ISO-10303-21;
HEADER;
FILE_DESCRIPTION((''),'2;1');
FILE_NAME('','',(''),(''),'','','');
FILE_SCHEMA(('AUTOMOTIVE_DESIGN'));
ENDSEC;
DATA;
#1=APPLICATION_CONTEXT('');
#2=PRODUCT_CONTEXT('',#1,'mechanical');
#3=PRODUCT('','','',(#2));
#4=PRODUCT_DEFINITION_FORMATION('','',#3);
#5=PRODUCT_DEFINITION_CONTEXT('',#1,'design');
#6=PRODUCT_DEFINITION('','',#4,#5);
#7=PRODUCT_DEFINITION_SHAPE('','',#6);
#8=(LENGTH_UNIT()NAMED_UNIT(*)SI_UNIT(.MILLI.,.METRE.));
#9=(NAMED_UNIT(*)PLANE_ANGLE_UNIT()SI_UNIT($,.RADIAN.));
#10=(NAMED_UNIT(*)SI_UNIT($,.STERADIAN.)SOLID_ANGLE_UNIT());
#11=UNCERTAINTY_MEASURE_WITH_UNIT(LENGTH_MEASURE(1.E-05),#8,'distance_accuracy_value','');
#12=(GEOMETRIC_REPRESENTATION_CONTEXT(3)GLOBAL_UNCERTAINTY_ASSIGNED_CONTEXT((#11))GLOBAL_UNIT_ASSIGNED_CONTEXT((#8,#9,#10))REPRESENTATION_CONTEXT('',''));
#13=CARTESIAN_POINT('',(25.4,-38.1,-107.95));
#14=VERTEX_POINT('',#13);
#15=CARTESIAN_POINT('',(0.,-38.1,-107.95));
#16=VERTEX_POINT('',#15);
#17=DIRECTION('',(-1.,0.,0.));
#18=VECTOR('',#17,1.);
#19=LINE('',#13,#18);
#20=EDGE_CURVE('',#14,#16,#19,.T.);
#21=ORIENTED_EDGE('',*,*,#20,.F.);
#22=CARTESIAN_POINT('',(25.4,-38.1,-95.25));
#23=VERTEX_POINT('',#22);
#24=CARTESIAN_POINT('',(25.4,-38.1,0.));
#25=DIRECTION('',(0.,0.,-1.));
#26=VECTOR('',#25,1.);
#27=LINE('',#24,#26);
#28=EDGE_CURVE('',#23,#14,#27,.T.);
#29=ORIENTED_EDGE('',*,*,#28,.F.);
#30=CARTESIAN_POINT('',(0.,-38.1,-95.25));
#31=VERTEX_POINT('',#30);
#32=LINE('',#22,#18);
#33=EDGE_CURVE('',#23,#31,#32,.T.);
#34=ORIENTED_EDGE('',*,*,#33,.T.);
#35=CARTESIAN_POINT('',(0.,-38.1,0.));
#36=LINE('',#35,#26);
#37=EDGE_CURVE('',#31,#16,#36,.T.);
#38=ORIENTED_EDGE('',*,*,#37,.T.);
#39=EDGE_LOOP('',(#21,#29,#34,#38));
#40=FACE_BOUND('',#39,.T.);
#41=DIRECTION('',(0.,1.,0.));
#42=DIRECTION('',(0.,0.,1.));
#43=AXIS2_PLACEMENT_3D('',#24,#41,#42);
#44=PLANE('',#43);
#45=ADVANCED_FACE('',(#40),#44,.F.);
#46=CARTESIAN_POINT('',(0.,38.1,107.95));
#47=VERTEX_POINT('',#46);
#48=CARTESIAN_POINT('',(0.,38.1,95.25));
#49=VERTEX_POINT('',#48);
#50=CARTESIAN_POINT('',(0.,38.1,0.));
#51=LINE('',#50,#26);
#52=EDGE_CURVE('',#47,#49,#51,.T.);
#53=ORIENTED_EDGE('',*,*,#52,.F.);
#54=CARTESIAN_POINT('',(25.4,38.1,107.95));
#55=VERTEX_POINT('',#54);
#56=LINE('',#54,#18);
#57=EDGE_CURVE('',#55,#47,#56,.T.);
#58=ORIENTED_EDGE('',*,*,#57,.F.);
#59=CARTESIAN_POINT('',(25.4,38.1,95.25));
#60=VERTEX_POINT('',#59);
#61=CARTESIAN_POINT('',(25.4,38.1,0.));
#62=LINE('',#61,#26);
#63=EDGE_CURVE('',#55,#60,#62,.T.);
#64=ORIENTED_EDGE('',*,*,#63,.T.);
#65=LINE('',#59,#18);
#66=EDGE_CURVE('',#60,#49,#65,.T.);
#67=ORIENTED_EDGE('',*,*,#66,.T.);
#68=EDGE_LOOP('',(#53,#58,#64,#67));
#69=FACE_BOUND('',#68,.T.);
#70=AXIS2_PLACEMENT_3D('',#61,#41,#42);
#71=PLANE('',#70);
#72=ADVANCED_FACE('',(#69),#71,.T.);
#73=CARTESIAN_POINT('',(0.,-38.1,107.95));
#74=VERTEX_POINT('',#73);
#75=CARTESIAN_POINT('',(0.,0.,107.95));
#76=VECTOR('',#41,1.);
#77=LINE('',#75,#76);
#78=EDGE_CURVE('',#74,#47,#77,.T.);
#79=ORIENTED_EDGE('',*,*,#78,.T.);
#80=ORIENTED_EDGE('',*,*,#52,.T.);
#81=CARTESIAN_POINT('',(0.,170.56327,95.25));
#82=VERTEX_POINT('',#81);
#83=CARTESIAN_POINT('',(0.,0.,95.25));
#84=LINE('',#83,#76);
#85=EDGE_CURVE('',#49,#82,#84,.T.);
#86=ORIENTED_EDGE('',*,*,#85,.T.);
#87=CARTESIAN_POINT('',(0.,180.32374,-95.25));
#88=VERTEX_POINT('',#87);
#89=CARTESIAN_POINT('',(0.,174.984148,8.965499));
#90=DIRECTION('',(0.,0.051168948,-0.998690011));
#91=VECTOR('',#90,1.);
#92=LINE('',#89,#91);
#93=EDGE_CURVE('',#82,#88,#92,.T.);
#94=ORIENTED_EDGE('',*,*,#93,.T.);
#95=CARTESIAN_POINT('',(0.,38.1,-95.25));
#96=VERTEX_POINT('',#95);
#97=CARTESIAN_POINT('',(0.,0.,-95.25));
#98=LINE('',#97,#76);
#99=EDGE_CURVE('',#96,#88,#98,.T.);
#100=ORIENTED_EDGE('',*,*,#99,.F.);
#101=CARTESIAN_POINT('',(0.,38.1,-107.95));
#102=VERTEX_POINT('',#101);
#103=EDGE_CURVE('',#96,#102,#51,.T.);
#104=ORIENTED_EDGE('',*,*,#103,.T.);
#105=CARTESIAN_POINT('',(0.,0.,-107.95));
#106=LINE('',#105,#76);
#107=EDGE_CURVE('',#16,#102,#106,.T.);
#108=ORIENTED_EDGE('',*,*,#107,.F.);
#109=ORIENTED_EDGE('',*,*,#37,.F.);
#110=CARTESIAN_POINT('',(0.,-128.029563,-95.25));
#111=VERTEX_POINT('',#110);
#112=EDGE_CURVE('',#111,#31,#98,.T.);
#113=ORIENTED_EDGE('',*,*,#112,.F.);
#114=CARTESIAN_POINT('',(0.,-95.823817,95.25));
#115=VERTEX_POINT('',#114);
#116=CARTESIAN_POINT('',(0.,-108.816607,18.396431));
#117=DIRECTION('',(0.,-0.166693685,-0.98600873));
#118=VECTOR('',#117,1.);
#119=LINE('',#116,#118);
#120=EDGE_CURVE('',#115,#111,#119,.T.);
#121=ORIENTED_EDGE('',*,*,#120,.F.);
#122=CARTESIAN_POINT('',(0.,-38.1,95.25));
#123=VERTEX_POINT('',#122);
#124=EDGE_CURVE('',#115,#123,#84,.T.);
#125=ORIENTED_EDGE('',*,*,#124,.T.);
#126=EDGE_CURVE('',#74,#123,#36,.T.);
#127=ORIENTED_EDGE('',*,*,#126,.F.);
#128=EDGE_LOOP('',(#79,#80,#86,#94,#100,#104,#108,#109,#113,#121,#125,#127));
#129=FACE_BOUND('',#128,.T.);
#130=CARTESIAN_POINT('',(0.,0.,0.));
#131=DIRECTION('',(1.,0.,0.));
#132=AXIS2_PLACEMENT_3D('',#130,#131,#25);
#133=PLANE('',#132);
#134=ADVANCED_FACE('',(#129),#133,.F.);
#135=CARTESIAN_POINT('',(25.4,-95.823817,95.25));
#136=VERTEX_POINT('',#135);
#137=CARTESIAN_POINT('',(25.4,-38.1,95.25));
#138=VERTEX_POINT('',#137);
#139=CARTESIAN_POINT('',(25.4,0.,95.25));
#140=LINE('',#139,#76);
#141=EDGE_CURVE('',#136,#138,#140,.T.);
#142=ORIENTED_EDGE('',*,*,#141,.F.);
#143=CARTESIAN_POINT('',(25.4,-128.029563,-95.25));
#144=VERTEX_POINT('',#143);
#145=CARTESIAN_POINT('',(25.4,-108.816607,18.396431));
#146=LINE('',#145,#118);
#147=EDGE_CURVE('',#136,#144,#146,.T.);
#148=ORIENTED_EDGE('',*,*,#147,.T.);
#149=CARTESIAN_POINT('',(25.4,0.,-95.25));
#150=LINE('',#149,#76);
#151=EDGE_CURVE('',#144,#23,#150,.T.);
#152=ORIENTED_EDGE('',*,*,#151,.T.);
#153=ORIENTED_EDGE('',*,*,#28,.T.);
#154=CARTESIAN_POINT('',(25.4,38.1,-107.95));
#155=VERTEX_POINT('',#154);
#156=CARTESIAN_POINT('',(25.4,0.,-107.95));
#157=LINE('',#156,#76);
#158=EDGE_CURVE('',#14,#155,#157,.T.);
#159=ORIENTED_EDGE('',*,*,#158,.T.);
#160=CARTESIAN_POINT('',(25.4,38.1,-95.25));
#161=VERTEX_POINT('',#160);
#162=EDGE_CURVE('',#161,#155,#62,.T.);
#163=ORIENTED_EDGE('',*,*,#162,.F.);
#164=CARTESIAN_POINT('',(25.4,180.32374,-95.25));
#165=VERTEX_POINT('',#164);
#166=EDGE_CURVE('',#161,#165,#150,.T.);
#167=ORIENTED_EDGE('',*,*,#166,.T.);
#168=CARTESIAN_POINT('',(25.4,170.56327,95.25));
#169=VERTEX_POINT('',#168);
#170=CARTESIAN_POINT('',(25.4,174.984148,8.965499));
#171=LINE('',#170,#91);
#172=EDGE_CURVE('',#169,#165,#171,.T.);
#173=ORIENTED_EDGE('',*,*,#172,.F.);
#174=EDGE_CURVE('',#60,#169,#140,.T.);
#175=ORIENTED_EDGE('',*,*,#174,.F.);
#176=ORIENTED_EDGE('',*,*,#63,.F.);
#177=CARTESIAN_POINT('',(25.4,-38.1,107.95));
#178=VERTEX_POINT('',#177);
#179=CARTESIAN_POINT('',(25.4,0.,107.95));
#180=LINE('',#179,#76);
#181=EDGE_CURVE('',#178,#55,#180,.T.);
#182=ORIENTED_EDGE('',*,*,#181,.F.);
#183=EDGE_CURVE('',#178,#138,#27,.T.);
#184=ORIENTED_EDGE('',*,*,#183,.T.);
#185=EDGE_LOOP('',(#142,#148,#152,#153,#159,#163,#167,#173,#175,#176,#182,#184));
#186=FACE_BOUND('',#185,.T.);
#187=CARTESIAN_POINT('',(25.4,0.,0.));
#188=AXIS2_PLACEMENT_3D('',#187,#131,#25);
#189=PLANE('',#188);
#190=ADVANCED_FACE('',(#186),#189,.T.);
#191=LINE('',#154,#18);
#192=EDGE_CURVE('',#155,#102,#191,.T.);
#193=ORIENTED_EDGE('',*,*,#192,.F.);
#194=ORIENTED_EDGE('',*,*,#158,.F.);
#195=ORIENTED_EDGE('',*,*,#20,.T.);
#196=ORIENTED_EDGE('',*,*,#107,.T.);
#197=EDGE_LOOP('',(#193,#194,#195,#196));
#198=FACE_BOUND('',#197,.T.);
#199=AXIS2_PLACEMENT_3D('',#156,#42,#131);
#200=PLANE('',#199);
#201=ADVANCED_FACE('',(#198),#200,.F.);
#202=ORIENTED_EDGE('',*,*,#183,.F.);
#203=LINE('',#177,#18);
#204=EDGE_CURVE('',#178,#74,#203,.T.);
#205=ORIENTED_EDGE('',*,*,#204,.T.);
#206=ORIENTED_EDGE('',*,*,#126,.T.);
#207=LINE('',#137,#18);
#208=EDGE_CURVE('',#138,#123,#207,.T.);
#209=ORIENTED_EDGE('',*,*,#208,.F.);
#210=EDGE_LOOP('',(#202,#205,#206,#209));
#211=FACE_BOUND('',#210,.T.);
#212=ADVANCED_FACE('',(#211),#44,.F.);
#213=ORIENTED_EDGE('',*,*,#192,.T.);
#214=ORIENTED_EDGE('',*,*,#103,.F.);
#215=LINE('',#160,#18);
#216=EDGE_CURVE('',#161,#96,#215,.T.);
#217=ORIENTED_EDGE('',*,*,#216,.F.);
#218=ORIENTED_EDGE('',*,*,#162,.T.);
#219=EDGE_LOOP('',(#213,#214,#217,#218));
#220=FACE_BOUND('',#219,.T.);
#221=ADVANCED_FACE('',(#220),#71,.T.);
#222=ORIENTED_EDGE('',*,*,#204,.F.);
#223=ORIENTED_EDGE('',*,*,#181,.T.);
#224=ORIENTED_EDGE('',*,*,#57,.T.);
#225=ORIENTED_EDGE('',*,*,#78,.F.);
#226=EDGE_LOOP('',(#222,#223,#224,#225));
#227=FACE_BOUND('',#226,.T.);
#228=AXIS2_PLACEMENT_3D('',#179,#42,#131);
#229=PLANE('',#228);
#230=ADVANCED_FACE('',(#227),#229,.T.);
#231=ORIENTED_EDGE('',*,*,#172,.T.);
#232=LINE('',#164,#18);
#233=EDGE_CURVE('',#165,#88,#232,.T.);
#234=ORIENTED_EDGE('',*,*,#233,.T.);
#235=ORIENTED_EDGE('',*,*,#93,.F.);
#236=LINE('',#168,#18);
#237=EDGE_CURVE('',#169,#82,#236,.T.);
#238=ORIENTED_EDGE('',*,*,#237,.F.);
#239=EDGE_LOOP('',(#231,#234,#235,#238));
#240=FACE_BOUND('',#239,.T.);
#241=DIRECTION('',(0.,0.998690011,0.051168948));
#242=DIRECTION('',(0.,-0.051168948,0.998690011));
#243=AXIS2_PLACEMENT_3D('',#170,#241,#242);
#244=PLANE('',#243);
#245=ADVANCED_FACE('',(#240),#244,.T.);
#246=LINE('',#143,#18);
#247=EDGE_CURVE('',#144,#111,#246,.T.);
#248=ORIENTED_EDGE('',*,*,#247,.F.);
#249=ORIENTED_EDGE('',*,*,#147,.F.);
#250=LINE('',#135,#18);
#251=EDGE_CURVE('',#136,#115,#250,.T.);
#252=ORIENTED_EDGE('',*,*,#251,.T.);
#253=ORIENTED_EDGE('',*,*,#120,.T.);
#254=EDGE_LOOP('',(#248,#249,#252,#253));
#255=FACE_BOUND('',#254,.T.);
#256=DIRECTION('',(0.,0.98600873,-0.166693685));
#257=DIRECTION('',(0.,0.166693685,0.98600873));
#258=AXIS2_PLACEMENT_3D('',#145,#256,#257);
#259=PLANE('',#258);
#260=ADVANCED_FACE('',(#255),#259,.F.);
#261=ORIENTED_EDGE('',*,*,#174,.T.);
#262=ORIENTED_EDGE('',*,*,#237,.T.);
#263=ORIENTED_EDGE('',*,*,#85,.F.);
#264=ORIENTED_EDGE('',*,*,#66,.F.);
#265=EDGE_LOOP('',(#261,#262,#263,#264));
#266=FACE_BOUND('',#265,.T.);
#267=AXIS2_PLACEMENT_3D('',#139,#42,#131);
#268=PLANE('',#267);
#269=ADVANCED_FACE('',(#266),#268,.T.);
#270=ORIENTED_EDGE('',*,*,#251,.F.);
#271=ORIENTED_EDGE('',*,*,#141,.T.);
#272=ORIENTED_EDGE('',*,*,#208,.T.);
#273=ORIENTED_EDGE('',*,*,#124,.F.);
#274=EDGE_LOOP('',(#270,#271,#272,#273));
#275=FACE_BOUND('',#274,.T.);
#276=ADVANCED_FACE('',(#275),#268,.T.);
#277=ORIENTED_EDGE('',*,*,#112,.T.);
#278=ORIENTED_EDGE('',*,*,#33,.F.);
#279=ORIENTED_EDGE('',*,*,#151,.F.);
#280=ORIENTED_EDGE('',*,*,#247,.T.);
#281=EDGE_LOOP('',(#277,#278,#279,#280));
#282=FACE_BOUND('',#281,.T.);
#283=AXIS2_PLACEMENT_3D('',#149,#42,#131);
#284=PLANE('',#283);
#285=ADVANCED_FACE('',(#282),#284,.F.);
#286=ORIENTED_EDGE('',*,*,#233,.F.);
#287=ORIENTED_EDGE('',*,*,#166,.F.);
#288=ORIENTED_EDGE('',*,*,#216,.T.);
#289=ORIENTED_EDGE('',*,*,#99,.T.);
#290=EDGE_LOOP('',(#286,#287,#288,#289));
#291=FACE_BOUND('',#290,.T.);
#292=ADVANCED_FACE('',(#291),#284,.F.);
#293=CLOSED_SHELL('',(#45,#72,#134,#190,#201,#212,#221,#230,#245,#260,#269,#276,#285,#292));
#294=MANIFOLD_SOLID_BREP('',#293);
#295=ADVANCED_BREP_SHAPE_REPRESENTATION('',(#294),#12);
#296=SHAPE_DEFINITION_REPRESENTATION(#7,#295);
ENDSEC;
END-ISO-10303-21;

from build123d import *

# Parameters (mm, degrees)
SKETCH1_W           = 12.7
SKETCH1_H           = 76.2
SKETCH1_W_2         = 190.5
BOSS_EXTRUDE1_DEPTH = 25.4


with BuildPart() as part:
    # Sketch1 → Boss-Extrude1 (new body)
    with BuildSketch(Plane(origin=(0, 0, 0), x_dir=(0, 0, -1), z_dir=(1, 0, 0))):
        Polygon((95.25, 180.323740444), (-95.25, 170.563269744), (-95.25, 38.1), (95.25, 38.1), align=None)
        with Locations((101.6, 0)):
            Rectangle(SKETCH1_W, SKETCH1_H)
        Rectangle(SKETCH1_W_2, SKETCH1_H)
        with Locations((-101.6, 0)):
            Rectangle(SKETCH1_W, SKETCH1_H)
        Polygon((95.25, -38.1), (-95.25, -38.1), (-95.25, -95.823816988), (95.25, -128.029563346), align=None)
    extrude(amount=BOSS_EXTRUDE1_DEPTH)


solid = part.part
